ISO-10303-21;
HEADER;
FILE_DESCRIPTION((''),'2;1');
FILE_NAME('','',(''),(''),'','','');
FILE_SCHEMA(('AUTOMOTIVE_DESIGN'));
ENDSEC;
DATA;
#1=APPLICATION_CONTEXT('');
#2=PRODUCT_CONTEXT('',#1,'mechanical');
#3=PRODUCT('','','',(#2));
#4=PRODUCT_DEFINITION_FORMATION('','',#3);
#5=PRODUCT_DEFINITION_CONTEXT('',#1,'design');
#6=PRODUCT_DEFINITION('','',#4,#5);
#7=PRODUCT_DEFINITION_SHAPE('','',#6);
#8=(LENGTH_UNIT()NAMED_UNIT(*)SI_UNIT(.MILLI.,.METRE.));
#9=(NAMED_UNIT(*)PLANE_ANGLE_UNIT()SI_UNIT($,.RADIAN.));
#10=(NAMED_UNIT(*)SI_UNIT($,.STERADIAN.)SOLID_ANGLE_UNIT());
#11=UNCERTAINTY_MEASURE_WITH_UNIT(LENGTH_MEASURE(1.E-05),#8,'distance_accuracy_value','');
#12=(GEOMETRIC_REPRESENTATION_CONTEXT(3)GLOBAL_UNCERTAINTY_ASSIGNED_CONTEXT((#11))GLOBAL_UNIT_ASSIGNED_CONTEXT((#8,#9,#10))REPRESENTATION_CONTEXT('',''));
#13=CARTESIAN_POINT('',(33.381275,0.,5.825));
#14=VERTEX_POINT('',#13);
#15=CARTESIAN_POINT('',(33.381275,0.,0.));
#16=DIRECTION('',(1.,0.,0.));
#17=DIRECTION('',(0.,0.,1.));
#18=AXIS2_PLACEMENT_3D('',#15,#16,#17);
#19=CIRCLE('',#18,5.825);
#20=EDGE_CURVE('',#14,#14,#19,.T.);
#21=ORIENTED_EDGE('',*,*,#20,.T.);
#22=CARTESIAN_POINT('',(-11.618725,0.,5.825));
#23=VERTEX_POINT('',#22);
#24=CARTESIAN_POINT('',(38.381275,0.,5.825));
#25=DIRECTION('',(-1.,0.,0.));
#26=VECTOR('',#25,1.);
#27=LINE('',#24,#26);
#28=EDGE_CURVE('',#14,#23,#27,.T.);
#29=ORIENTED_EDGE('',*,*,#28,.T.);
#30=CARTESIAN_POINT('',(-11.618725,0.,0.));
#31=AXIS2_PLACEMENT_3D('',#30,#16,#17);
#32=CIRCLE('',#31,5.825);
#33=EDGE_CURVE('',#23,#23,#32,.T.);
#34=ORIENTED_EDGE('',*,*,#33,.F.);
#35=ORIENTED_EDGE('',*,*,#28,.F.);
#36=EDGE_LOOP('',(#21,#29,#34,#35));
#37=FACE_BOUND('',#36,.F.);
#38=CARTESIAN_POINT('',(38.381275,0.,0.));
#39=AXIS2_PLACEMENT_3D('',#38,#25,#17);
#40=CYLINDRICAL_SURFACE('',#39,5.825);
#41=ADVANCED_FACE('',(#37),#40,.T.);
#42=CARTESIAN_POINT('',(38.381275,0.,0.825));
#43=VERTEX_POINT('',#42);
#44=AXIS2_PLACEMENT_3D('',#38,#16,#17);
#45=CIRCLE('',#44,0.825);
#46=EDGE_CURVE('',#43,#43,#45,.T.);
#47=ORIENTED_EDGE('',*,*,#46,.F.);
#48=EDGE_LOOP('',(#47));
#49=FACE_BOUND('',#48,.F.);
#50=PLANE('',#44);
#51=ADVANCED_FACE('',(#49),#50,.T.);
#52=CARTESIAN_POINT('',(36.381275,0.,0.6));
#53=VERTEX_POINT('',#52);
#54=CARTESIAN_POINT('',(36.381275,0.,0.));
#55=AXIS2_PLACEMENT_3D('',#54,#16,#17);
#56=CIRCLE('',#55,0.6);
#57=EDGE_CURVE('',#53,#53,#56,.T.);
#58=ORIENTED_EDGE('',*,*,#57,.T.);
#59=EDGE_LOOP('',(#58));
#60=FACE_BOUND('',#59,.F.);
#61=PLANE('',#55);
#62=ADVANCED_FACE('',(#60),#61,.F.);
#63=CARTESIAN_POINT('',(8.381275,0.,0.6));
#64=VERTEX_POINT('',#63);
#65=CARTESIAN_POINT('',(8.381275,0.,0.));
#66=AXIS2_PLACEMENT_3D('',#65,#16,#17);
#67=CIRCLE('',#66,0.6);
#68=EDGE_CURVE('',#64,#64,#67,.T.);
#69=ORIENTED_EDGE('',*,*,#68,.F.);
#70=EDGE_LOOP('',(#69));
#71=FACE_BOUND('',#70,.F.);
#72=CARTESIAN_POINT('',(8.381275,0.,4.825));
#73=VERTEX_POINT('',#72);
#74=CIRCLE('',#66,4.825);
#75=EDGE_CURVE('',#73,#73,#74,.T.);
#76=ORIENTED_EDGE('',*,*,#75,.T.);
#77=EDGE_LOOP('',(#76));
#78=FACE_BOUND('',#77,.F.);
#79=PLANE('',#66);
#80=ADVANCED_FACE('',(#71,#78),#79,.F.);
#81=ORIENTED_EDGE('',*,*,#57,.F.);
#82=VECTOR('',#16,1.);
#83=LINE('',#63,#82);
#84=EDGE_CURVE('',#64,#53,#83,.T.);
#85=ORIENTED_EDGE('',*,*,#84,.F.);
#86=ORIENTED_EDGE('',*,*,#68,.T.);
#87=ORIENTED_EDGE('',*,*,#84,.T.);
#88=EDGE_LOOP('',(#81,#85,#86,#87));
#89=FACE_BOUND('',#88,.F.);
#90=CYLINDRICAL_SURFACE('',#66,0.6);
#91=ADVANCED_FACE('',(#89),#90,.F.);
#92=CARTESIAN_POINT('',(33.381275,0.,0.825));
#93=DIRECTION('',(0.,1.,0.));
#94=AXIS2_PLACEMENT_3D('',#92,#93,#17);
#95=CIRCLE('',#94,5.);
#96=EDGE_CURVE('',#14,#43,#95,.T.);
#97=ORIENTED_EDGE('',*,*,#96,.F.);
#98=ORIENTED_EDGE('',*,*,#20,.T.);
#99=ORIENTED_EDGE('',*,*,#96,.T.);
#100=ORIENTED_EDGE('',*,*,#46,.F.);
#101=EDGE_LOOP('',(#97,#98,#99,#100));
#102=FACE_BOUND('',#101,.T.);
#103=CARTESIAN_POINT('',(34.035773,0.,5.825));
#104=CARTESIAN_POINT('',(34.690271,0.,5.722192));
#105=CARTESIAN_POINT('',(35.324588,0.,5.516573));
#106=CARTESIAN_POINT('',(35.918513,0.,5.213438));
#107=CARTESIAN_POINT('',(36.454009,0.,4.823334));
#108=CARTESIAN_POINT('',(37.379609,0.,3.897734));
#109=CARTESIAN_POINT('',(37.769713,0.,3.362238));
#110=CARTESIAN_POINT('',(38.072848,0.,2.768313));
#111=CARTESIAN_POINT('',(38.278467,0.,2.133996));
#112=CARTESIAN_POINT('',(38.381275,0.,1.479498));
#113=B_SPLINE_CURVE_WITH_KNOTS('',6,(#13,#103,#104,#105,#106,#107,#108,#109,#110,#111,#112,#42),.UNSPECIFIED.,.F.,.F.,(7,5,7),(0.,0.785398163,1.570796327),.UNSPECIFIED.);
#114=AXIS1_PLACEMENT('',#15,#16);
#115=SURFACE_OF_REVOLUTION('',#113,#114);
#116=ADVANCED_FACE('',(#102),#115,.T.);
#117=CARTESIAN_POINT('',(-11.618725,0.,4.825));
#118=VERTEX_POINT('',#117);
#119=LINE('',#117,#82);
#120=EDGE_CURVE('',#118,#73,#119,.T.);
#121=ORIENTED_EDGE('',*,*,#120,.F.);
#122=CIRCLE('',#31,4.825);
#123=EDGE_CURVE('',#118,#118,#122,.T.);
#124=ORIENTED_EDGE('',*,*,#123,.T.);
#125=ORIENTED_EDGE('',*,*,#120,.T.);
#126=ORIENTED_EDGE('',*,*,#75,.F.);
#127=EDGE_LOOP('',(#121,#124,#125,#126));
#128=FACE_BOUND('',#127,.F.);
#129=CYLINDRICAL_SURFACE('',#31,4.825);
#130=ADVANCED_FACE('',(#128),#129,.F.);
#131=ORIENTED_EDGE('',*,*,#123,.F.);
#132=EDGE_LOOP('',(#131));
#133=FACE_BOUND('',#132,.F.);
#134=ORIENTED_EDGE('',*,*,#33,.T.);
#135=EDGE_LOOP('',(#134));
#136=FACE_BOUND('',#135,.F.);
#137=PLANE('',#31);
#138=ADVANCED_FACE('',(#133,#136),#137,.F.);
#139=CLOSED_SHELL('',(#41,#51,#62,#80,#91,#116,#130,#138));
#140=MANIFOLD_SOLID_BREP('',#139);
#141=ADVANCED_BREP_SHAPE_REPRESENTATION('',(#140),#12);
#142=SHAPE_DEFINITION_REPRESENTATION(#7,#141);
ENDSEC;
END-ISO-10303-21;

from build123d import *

# Parameters (mm, degrees)
F2_R = 5


with BuildPart() as f1:
    # F0 (on Front) → F1 (revolve)
    with BuildSketch(Plane.XZ):
        Polygon((38.381275, 5.825), (-11.618725, 5.825), (-11.618725, 4.825), (8.381275, 4.825), (8.381275, 0.6), (36.381275, 0.6), (36.381275, 0), (38.381275, 0), align=None)
    revolve(axis=Axis((20.152785, 0, 0), (1, 0, 0)))

    # F2
    f2_edges = [f1.edges().sort_by_distance(p)[0] for p in [
        (38.381275, 0, -5.825),
    ]]
    fillet(f2_edges, radius=F2_R)


solid = f1.part
